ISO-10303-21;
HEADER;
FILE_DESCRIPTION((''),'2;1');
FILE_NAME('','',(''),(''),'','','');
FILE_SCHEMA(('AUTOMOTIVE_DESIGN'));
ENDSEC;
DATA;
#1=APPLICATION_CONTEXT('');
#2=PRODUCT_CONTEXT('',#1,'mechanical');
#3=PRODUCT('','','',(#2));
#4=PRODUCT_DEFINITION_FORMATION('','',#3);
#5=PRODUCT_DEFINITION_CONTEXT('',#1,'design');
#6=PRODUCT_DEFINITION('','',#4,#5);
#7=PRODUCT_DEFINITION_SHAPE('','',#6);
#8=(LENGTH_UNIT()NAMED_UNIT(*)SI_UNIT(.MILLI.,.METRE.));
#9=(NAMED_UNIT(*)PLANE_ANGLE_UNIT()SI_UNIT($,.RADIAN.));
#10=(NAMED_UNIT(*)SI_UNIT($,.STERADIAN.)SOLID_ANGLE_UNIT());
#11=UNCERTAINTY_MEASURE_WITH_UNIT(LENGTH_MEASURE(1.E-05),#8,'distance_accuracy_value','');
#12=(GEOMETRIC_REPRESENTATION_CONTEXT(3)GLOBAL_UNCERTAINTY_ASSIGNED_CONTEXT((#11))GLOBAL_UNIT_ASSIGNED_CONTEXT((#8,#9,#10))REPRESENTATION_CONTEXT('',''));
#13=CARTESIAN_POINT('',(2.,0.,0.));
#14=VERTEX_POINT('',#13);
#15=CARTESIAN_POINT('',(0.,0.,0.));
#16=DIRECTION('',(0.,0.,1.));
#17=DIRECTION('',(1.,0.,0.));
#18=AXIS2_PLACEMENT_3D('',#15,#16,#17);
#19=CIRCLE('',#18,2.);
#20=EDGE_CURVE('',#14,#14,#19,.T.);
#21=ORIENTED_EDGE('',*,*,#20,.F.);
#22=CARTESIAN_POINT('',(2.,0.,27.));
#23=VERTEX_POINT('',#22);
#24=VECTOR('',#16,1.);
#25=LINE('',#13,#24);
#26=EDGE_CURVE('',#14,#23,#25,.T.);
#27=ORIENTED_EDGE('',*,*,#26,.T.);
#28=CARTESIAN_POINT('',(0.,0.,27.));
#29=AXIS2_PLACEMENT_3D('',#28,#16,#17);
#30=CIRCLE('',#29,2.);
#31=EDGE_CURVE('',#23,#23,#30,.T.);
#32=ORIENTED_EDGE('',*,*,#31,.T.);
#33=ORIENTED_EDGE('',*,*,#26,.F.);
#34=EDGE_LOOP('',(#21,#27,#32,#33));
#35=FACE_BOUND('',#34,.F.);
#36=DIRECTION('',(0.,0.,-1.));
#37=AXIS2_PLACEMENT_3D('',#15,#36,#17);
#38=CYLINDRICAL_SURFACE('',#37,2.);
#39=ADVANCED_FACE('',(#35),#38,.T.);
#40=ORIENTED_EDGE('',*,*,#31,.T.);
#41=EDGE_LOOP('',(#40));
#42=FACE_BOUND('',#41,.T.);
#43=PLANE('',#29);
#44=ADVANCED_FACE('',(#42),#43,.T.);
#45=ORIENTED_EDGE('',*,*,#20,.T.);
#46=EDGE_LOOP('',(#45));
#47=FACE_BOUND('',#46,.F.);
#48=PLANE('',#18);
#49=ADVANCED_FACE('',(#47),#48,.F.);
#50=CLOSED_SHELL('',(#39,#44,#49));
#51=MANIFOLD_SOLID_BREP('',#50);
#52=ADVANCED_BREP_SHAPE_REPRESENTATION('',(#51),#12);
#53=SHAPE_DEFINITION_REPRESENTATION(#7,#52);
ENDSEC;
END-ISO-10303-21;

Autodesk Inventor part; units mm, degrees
ref_plane "YZ Plane" through (0, 0, 0) normal (1, 0, 0) x (0, 1, 0)
ref_plane "XZ Plane" through (0, 0, 0) normal (0, 1, 0) x (-1, 0, 0)
ref_plane "XY Plane" through (0, 0, 0) normal (0, 0, 1) x (1, 0, 0)
sketch "Sketch1" plane through (0, 0, 0) normal (0, 0, 1) x (1, 0, 0)
  circle A0 centre (0, 0) radius 2
  dimension "d0" = 4
extrude "Extrusion1" add sketch "Sketch1" along normal blind 27
thread "Thread1" size "M3x0.5" class "6g" standard "ANSI Metric M Profile" length 5
properties part number "M3Axis"
